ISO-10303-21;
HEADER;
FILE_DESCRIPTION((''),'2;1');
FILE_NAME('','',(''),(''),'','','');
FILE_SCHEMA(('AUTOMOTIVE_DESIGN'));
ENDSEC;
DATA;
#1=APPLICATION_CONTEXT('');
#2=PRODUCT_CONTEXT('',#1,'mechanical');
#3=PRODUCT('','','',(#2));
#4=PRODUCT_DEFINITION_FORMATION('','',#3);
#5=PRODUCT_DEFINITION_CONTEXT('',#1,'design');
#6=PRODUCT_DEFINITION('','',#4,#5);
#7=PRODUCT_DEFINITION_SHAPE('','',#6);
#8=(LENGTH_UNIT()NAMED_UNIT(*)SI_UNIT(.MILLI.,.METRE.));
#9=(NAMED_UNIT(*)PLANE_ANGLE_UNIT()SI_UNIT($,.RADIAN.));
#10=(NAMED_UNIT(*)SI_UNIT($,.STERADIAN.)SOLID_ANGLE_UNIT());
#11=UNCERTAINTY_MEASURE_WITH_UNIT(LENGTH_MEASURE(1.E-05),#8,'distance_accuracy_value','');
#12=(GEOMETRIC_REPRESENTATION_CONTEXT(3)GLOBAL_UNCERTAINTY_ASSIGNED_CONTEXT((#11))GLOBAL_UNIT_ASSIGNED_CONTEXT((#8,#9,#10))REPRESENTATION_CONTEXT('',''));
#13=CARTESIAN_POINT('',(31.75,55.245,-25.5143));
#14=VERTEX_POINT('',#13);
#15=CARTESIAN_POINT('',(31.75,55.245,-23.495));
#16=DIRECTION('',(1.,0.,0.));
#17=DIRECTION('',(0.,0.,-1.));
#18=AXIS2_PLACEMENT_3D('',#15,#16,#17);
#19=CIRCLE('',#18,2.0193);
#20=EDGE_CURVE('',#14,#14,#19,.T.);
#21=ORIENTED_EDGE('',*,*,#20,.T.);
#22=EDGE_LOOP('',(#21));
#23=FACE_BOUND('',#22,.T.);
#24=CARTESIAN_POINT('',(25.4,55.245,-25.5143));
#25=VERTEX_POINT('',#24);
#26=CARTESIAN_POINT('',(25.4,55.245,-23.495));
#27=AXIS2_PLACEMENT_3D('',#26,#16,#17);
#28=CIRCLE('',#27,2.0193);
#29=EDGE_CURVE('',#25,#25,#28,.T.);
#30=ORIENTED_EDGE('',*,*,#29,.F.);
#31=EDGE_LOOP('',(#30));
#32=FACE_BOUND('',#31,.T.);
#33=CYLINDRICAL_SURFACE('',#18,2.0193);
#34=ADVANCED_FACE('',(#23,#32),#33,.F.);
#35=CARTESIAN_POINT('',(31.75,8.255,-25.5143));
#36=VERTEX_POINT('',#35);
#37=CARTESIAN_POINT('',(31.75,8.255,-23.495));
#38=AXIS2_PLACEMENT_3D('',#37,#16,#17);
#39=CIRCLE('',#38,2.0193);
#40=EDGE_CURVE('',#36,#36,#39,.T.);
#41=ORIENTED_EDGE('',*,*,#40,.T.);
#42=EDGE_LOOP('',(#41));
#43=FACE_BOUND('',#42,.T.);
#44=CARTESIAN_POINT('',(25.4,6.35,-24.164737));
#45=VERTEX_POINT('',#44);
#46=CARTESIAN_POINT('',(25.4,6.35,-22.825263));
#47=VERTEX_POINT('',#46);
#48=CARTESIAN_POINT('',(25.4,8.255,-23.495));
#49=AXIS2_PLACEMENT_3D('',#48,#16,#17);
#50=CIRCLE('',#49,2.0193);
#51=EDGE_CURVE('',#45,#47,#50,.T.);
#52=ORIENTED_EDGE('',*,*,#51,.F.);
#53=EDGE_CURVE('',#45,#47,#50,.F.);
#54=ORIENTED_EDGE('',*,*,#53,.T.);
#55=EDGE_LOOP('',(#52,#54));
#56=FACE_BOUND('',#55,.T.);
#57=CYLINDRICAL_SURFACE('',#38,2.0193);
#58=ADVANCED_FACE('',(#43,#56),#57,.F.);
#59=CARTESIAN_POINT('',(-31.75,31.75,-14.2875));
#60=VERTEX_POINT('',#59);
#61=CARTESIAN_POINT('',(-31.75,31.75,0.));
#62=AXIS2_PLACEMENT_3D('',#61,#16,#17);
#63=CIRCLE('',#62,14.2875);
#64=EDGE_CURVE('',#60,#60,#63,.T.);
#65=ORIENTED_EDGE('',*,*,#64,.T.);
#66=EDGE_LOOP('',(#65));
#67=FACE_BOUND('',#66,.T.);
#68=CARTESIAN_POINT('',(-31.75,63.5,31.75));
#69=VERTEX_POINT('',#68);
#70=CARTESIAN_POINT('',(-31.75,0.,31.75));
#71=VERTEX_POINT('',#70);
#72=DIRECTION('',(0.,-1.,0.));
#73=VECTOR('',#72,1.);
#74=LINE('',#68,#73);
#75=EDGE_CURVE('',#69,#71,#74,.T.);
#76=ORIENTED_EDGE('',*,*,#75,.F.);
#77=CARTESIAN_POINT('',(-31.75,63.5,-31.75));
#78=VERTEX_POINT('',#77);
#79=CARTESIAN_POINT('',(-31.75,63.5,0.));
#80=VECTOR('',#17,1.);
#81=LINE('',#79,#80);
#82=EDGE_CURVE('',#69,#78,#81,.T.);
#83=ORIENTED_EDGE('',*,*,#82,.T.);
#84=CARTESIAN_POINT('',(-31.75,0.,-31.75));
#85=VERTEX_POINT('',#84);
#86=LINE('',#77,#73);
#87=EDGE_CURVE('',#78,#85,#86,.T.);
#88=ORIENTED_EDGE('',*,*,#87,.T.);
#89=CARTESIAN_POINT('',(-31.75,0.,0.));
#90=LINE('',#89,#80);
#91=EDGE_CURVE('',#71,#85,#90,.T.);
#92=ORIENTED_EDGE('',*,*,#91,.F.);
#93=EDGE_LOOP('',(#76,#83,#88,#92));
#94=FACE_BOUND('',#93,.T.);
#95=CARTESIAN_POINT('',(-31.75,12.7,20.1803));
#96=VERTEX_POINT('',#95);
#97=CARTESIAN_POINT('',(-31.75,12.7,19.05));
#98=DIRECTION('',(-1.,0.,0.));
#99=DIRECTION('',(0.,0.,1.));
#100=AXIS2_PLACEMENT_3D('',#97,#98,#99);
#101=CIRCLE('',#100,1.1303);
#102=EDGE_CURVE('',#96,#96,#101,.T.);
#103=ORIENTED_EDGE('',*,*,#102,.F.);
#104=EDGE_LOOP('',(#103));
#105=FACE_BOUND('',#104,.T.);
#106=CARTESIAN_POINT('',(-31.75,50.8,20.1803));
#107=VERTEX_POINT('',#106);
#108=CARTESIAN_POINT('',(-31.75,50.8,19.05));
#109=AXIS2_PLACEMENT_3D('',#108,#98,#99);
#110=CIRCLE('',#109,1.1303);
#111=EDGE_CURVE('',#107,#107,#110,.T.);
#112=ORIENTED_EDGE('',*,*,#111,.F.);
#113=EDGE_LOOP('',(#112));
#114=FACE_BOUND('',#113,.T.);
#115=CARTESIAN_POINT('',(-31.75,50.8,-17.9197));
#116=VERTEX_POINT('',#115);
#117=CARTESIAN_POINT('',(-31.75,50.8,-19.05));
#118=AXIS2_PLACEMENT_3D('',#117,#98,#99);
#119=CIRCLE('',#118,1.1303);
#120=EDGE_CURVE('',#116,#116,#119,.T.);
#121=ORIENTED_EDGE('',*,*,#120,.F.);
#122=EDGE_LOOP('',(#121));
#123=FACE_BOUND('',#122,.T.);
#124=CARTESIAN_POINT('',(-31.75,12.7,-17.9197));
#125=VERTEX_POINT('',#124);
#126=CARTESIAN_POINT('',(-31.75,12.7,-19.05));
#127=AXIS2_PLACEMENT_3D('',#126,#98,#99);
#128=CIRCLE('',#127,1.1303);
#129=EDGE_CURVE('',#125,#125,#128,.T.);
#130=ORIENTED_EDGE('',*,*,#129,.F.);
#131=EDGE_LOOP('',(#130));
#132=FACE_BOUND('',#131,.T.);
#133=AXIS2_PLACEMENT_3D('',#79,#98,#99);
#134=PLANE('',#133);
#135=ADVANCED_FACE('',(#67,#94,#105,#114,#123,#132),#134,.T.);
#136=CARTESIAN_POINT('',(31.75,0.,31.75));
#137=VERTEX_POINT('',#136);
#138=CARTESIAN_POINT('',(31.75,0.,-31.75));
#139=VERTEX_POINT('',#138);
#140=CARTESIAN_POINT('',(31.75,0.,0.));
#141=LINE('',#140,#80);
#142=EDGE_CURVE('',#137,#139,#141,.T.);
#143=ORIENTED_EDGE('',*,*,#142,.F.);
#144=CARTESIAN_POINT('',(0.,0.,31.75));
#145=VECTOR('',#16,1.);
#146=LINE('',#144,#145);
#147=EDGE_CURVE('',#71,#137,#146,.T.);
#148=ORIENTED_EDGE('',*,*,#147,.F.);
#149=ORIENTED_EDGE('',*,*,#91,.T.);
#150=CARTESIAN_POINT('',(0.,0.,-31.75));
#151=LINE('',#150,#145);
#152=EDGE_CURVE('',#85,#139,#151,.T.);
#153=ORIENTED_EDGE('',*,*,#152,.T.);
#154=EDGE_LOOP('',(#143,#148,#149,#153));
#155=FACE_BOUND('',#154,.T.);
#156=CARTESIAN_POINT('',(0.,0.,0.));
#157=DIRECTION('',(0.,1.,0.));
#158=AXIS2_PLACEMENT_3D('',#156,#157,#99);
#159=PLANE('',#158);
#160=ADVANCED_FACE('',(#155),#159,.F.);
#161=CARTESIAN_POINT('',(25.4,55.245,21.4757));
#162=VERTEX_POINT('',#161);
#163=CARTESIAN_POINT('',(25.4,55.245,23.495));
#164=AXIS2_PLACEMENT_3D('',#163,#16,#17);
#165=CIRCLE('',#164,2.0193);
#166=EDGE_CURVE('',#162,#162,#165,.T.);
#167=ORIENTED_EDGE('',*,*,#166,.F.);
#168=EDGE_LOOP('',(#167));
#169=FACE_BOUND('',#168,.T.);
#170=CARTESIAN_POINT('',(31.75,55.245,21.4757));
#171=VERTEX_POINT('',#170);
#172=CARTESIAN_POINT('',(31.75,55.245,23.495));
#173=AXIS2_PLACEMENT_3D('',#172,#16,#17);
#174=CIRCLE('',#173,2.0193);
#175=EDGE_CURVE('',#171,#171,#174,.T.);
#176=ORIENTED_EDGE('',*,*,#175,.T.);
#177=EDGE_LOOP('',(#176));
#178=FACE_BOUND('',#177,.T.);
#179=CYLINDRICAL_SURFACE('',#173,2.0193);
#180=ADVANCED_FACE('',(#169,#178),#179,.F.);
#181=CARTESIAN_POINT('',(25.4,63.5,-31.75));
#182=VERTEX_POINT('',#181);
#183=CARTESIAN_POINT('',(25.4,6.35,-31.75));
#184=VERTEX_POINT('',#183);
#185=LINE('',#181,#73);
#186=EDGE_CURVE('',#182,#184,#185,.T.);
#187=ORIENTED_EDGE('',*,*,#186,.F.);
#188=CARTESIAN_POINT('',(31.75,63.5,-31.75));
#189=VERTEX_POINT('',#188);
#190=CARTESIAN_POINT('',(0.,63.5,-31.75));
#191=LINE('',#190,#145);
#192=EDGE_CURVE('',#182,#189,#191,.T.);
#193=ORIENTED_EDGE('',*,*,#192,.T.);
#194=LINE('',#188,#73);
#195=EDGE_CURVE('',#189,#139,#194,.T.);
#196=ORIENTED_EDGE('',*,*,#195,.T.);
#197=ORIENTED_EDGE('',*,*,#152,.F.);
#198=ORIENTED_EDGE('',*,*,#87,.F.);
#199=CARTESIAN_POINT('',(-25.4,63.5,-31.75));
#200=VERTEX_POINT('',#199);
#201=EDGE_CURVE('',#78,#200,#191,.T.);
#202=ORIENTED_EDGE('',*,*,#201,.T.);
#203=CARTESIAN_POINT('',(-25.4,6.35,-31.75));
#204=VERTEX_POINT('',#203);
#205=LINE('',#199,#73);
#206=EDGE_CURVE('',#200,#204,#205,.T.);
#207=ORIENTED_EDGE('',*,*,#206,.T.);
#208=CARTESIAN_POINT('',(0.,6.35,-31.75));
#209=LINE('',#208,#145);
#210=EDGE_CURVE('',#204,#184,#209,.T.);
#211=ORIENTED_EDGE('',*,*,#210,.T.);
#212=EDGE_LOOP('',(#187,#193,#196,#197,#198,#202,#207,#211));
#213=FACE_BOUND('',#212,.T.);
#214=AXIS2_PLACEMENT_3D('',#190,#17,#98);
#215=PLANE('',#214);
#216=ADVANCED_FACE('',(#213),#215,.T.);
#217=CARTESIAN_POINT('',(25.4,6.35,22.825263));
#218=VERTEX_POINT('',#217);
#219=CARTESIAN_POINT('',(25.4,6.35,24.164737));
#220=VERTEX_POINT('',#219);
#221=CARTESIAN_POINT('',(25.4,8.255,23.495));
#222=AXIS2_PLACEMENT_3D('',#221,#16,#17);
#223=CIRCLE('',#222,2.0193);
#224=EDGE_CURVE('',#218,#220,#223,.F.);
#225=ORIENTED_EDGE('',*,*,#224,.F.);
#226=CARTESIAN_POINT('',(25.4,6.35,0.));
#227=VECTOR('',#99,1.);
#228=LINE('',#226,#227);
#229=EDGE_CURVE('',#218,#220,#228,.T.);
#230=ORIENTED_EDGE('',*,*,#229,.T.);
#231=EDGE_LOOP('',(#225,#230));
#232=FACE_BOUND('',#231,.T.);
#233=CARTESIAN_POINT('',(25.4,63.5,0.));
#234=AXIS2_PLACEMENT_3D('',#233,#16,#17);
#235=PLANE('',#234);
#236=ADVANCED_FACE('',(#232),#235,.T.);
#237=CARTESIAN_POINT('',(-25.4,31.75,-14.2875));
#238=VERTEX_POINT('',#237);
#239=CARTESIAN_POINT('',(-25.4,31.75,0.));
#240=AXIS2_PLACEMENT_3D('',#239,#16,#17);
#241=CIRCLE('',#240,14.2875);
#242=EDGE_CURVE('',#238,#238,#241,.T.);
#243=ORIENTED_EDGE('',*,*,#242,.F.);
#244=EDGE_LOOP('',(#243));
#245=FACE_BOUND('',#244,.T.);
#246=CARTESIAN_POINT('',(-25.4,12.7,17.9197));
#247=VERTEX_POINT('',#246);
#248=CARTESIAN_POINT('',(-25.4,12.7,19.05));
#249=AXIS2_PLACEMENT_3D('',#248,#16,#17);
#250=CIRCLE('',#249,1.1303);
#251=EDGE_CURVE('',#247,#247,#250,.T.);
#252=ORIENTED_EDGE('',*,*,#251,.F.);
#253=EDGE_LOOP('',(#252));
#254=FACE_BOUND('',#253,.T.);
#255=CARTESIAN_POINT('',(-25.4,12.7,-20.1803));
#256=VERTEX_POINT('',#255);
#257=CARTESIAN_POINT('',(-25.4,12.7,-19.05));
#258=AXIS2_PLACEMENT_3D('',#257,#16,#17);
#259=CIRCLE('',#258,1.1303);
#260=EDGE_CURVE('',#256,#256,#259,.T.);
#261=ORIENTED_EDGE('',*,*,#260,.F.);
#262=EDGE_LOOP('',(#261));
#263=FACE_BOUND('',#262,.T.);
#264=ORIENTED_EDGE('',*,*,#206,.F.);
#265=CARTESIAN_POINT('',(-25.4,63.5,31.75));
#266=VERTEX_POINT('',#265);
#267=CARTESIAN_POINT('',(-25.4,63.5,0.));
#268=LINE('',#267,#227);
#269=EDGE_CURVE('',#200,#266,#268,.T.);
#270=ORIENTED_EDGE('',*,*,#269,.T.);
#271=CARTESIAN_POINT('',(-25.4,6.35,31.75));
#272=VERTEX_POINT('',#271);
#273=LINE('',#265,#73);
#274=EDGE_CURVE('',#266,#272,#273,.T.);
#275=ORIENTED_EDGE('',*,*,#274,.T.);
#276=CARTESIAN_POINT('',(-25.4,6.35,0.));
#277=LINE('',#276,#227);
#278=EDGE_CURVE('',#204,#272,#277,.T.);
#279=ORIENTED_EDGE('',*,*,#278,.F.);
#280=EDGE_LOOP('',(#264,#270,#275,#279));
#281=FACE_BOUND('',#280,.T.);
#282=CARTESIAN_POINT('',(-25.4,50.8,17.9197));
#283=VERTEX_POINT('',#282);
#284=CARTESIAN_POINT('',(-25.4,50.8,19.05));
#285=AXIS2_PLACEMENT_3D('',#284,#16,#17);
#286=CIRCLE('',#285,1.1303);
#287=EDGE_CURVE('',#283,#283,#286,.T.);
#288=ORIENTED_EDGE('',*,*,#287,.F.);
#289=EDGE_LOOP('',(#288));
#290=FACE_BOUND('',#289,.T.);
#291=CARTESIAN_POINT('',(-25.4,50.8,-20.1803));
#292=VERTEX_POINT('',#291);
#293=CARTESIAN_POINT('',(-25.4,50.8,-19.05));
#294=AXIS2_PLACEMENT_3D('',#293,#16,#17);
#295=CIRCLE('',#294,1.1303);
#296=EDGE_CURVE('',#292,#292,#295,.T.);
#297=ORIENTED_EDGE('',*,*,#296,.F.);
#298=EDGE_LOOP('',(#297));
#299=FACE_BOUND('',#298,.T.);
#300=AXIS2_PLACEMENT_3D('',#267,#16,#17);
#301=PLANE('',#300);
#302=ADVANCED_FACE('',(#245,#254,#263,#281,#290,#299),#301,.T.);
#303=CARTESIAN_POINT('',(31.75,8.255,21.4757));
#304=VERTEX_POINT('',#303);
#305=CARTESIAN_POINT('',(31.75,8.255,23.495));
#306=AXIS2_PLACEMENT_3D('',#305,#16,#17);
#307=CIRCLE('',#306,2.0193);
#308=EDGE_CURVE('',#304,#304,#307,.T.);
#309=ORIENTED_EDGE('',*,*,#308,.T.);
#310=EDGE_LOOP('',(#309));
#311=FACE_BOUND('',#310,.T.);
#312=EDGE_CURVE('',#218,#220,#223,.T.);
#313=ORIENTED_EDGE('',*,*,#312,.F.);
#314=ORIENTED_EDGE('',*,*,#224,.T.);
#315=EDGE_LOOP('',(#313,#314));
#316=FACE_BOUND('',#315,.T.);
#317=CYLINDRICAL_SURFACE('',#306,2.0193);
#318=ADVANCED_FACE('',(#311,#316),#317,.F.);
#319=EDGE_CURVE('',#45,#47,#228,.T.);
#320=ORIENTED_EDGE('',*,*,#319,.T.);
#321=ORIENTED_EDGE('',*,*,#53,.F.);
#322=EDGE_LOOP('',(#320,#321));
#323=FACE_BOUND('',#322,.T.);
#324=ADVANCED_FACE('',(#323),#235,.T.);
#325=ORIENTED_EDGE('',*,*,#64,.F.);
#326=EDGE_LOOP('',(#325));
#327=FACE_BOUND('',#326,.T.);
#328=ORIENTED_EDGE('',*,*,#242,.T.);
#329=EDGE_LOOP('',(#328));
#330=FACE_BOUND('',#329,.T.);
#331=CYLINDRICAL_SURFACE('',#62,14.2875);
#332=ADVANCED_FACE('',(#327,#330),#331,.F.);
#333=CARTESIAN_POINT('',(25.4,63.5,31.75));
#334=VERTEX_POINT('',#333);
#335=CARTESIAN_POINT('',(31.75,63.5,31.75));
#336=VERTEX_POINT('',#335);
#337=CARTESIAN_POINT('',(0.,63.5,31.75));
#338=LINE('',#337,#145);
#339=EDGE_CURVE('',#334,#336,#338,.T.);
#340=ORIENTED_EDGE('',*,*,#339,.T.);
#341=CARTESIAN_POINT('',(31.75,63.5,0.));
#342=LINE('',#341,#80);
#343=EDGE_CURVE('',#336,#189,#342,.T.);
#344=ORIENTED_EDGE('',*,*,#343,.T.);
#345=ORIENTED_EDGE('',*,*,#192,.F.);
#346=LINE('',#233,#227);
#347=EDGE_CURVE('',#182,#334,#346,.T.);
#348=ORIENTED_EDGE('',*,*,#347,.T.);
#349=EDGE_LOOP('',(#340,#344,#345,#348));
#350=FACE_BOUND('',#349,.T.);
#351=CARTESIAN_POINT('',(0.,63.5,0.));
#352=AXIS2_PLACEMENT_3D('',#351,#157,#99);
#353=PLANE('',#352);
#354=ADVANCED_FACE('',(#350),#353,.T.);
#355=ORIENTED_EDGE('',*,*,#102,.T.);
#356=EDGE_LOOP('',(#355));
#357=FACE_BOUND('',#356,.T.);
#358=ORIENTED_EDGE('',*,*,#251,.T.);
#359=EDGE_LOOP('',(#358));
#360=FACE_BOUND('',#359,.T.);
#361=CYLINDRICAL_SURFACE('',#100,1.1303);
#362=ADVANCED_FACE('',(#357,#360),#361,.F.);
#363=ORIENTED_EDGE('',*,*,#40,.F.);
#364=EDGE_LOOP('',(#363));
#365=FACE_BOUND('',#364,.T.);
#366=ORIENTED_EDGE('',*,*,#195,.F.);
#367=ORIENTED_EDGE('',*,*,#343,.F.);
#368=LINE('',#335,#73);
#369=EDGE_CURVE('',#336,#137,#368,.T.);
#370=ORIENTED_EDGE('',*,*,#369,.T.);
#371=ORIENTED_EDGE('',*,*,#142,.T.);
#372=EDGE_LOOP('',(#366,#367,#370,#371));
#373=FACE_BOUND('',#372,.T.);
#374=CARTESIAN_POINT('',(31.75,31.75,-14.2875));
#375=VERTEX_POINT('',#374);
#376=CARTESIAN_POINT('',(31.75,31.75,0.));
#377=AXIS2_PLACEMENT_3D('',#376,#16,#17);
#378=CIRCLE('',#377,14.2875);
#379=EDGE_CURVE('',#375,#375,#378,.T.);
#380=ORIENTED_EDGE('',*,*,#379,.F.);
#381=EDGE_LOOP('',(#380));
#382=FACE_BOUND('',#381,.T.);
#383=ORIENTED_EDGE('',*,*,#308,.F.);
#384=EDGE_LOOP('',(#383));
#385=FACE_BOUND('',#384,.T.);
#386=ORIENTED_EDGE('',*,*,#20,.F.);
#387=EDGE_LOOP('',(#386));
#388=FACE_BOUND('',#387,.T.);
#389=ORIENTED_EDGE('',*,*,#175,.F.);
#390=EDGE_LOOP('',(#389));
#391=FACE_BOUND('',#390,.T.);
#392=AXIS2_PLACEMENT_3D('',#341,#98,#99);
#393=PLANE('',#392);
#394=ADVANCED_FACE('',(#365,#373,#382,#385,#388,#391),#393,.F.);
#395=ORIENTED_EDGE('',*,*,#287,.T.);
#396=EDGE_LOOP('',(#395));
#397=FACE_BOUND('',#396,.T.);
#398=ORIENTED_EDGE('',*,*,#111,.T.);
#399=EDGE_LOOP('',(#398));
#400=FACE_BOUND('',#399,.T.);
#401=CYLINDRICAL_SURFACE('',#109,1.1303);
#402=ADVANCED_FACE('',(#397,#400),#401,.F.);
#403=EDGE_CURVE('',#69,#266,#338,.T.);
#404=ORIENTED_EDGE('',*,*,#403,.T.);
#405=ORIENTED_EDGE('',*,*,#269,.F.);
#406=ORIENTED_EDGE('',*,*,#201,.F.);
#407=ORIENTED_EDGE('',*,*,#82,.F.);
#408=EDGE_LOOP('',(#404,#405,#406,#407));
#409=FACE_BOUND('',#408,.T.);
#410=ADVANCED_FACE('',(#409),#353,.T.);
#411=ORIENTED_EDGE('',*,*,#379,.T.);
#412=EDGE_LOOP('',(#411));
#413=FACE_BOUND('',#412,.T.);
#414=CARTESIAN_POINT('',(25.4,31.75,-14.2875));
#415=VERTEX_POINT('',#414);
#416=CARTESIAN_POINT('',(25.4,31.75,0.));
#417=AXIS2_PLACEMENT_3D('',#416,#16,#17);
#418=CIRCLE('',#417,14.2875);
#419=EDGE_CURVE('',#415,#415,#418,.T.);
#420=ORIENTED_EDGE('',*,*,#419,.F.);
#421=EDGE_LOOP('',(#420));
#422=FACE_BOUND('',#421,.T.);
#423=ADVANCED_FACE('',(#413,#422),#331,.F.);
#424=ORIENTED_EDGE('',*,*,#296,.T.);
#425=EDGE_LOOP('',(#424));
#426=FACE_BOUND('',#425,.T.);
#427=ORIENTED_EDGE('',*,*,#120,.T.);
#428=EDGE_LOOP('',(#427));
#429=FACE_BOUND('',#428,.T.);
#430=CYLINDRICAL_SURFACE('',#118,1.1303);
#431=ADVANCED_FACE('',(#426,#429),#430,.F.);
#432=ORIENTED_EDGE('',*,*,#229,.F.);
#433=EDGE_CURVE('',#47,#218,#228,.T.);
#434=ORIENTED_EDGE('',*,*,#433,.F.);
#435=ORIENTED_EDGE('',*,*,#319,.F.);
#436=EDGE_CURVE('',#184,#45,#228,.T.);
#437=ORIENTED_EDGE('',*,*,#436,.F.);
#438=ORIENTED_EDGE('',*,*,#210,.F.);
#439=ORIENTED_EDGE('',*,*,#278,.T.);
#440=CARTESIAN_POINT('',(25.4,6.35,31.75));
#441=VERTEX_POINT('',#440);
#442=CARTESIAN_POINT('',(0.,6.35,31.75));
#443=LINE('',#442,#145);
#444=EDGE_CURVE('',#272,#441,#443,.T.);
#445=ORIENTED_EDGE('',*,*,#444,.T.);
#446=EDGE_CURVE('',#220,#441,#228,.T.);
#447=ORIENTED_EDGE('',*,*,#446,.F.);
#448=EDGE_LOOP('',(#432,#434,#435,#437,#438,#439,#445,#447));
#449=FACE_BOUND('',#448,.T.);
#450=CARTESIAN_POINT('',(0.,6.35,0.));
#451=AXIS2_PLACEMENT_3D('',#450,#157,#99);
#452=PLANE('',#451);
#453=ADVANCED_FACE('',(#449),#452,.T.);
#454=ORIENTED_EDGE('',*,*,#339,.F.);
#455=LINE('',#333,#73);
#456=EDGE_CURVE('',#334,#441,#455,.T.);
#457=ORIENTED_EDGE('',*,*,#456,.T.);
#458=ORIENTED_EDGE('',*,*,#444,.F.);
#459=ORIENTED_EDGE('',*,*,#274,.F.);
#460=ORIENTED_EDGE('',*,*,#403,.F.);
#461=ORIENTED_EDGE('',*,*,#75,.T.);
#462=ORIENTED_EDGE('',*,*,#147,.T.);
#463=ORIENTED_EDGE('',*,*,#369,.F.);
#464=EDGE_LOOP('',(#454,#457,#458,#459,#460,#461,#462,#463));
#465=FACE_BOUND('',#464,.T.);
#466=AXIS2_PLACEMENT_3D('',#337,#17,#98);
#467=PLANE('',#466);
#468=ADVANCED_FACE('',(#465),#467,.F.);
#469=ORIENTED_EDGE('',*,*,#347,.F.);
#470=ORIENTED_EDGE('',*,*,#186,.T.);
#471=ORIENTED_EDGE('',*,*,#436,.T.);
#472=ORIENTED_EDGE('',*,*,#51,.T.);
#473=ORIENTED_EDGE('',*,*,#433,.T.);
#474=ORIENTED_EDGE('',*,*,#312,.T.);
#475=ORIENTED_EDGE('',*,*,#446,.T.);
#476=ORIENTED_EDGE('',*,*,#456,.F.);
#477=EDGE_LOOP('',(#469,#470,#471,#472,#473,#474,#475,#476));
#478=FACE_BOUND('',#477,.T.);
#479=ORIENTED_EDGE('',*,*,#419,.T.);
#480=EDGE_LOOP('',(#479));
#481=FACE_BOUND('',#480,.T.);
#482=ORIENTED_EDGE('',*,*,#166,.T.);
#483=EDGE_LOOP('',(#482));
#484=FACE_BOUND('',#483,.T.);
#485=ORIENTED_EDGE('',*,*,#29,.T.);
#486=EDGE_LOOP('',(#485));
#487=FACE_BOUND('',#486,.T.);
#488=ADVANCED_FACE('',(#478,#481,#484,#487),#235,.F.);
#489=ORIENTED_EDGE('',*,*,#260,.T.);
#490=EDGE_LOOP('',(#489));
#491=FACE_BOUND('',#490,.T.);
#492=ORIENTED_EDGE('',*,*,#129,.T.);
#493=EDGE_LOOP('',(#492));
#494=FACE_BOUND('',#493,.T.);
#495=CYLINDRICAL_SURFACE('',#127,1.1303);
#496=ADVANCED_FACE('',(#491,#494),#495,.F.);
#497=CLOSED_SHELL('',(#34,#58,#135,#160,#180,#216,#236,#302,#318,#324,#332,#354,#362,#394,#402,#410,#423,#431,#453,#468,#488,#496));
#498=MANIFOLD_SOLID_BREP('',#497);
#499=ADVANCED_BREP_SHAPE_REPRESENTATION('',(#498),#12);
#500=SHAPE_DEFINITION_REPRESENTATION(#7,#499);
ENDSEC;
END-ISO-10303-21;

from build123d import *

# Parameters (mm, degrees)
SKETCH1_3_W                     = 6.35
SKETCH1_3_H                     = 63.5
BOSS_EXTRUDE1_DEPTH             = 63.5
SKETCH1_W                       = 50.8
SKETCH1_H                       = 63.5
BOSS_EXTRUDE2_DEPTH             = 6.35
SKETCH1_6_W                     = 6.35
SKETCH1_6_H                     = 63.5
BOSS_EXTRUDE3_DEPTH             = 63.5
SKETCH2_R                       = 14.2875
CUT_EXTRUDE1_DEPTH              = 96.25
F_43_0_089_DIAMETER_HOLE1_D     = 2.2606
F_43_0_089_DIAMETER_HOLE1_DEPTH = 25.4
F_43_0_089_DIAMETER_HOLE1_TIP   = 0.679152758
F_10_32_TAPPED_HOLE1_D          = 4.0386
F_10_32_TAPPED_HOLE1_DEPTH      = 6.35


with BuildPart() as part:
    # Sketch1<3> → Boss-Extrude1 (new body)
    with BuildSketch(Plane(origin=(0, 0, 0), x_dir=(1, 0, 0), z_dir=(0, 1, 0))):
        with Locations((28.575, 0)):
            Rectangle(SKETCH1_3_W, SKETCH1_3_H)
    extrude(amount=BOSS_EXTRUDE1_DEPTH)

    # Sketch1 → Boss-Extrude2 (add)
    with BuildSketch(Plane(origin=(0, 0, 0), x_dir=(1, 0, 0), z_dir=(0, 1, 0))):
        Rectangle(SKETCH1_W, SKETCH1_H)
    extrude(amount=BOSS_EXTRUDE2_DEPTH)

    # Sketch1<6> → Boss-Extrude3 (add)
    with BuildSketch(Plane(origin=(0, 0, 0), x_dir=(1, 0, 0), z_dir=(0, 1, 0))):
        with Locations((-28.575, 0)):
            Rectangle(SKETCH1_6_W, SKETCH1_6_H)
    extrude(amount=BOSS_EXTRUDE3_DEPTH)

    # Sketch2 → Cut-Extrude1 (cut, through all)
    with BuildSketch(Plane(origin=(31.75, 0, 0), x_dir=(0, 0, -1), z_dir=(1, 0, 0))):
        with Locations((0, 31.75)):
            Circle(SKETCH2_R)
    extrude(amount=-CUT_EXTRUDE1_DEPTH, mode=Mode.SUBTRACT)

    # #43 (0.089) Diameter Hole1
    with Locations(Plane.ZY.offset(31.75)):
        with Locations((-19.05, 50.8), (19.05, 50.8), (19.05, 12.7), (-19.05, 12.7)):
            Hole(F_43_0_089_DIAMETER_HOLE1_D / 2, depth=F_43_0_089_DIAMETER_HOLE1_DEPTH)
            with Locations((0, 0, -(F_43_0_089_DIAMETER_HOLE1_DEPTH + F_43_0_089_DIAMETER_HOLE1_TIP / 2))):  # 118° drill point
                Cone(0, F_43_0_089_DIAMETER_HOLE1_D / 2, F_43_0_089_DIAMETER_HOLE1_TIP, mode=Mode.SUBTRACT)

    # #10-32 Tapped Hole1
    with Locations(Plane(origin=(31.75, 0, 0), x_dir=(0, 0, -1), z_dir=(1, 0, 0))):
        with Locations((-23.495, 55.245), (23.495, 55.245), (23.495, 8.255), (-23.495, 8.255)):
            Hole(F_10_32_TAPPED_HOLE1_D / 2, depth=F_10_32_TAPPED_HOLE1_DEPTH)


solid = part.part
